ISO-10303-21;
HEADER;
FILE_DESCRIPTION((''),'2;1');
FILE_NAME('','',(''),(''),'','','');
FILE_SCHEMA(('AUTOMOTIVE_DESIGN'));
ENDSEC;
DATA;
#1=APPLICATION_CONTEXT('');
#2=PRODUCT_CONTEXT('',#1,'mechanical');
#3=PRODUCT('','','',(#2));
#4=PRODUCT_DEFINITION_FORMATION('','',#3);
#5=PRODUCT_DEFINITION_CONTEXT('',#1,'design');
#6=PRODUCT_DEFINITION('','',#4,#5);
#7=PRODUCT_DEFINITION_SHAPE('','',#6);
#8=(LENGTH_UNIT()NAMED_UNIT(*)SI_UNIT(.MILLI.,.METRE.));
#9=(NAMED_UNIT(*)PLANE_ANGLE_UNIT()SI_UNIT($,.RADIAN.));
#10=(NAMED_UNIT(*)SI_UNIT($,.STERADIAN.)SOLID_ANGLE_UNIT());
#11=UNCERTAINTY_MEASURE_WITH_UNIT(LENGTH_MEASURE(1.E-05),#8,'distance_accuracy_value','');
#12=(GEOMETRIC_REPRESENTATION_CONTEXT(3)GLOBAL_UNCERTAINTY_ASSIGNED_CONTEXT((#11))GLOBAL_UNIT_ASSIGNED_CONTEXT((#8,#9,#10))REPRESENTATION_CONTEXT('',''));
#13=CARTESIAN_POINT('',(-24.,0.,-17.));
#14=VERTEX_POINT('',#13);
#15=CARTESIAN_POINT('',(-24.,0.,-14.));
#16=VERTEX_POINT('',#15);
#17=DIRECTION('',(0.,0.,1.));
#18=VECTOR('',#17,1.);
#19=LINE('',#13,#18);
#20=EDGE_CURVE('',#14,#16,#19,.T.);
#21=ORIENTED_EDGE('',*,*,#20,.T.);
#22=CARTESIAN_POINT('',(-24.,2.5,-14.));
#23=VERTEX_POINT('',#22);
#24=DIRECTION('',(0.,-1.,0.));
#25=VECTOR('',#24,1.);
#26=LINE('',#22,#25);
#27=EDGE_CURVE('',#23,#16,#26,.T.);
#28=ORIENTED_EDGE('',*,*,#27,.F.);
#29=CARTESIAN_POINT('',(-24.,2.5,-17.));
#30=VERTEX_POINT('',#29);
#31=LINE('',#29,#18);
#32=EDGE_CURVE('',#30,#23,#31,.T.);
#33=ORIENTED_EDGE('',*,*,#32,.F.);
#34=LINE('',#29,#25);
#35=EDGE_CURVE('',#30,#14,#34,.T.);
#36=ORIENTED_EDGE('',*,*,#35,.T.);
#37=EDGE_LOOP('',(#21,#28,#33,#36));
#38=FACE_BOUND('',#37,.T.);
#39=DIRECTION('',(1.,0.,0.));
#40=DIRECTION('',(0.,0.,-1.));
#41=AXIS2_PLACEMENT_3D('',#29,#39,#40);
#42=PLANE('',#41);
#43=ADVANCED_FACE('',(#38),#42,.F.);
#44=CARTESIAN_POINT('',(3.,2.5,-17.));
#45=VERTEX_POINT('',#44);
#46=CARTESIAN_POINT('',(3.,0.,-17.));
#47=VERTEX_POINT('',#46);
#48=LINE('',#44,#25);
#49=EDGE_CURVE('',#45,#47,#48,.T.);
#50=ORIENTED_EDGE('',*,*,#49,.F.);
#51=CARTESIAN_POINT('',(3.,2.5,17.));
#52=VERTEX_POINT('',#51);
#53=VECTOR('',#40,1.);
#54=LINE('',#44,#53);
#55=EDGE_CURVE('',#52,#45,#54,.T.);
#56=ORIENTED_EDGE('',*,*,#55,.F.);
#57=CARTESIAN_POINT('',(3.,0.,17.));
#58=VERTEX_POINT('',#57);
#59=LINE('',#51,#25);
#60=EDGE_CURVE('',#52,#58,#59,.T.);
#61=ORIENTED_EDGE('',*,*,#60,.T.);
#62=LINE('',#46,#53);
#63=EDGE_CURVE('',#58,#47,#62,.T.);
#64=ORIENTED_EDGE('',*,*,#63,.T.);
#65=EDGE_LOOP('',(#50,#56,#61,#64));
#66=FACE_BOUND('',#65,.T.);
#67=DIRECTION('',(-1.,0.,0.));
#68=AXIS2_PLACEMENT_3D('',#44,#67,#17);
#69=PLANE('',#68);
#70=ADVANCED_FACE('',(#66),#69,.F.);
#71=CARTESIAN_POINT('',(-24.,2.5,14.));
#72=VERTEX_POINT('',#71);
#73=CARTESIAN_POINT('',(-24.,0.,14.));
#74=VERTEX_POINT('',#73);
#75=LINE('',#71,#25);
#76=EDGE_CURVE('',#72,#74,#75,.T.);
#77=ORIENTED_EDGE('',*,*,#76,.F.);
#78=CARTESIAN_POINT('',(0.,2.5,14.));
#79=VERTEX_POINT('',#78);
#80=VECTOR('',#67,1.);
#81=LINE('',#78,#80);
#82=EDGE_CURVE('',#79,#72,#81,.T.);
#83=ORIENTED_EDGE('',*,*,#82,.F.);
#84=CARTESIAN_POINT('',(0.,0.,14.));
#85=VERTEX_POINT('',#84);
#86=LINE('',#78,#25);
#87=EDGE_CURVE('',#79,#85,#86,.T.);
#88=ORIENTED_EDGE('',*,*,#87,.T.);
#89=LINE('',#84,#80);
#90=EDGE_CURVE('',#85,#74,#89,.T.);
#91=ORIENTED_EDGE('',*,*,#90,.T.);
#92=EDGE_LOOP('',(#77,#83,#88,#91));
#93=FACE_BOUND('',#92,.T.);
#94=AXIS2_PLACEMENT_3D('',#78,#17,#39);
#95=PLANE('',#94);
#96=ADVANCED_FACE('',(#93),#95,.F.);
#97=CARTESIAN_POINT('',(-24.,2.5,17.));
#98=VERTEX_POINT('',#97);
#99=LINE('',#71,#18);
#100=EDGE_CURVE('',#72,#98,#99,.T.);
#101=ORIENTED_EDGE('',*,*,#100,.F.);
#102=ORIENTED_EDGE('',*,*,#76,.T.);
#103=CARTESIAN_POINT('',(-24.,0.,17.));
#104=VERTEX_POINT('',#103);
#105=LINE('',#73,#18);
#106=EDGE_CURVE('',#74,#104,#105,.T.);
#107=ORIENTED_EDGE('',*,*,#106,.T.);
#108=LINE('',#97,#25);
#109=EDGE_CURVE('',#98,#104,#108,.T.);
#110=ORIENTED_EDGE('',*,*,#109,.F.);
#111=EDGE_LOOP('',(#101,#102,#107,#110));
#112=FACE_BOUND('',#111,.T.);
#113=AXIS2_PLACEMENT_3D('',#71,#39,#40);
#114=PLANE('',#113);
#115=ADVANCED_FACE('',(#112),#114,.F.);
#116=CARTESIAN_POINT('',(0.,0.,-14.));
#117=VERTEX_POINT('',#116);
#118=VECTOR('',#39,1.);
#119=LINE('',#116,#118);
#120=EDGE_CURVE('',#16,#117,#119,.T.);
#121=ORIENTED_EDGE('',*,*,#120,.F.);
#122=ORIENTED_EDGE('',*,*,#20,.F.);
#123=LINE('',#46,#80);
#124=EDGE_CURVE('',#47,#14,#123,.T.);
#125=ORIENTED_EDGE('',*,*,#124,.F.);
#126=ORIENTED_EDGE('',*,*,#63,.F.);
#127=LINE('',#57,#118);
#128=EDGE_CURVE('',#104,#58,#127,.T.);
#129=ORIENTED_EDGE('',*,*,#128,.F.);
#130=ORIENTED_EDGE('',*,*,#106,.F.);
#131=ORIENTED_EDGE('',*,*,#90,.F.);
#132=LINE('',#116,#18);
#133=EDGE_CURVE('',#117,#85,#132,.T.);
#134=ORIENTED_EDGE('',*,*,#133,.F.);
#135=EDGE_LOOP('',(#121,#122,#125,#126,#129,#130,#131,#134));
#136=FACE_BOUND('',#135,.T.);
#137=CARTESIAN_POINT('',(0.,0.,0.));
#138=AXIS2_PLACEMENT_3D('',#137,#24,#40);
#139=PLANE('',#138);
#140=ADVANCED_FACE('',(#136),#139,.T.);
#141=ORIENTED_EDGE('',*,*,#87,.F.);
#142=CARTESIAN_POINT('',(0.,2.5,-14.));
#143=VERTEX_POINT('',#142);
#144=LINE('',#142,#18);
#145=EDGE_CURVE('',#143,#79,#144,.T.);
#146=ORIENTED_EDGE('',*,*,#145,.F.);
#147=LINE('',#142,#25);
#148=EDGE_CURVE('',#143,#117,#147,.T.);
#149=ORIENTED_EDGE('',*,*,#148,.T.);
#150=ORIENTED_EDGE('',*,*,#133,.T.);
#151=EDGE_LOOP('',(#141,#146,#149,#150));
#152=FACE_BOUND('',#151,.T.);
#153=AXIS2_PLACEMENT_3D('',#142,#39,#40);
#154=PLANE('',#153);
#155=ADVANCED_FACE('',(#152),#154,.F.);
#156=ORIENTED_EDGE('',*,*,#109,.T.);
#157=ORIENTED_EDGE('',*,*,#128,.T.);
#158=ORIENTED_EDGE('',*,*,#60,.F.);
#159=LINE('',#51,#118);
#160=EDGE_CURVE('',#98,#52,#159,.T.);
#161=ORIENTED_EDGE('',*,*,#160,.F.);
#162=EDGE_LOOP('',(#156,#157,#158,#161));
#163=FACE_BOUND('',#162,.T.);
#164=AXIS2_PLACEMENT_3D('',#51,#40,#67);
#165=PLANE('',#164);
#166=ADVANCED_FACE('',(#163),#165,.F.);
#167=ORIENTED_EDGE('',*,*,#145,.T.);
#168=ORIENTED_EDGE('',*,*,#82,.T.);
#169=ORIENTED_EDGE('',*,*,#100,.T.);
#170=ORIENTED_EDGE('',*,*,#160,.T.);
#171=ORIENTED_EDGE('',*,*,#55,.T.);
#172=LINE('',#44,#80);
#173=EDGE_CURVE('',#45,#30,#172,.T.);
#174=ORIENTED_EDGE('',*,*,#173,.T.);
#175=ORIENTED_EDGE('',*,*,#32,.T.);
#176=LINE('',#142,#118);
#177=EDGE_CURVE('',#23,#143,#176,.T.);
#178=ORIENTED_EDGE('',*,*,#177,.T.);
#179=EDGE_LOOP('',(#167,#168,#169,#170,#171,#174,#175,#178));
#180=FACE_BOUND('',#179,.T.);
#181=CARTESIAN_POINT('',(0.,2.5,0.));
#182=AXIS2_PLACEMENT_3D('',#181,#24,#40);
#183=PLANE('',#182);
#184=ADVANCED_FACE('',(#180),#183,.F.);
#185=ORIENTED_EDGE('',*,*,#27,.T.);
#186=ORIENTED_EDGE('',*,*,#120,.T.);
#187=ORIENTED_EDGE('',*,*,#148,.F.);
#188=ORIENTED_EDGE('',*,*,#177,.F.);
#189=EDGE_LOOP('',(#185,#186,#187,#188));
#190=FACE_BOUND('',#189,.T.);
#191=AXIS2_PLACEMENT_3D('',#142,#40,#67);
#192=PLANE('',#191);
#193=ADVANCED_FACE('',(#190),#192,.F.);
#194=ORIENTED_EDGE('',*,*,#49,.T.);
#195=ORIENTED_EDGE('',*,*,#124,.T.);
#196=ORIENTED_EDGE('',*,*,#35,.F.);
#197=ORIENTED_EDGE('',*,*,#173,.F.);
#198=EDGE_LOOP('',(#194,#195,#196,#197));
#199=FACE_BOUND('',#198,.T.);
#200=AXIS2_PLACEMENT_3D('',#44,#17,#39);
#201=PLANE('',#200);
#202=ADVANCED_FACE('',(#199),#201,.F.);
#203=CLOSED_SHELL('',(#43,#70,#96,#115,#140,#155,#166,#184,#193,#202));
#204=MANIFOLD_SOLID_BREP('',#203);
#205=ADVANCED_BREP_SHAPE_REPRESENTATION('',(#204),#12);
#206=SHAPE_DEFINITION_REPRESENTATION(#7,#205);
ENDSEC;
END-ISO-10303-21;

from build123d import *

# Parameters (mm, degrees)
BOSS_EXTRUDE1_DEPTH = 2.5


with BuildPart() as part:
    # Sketch1 → Boss-Extrude1 (new body)
    with BuildSketch(Plane(origin=(0, 0, 0), x_dir=(1, 0, 0), z_dir=(0, 1, 0))):
        Polygon((0, 14), (0, -14), (-24, -14), (-24, -17), (3, -17), (3, 17), (-24, 17), (-24, 14), align=None)
    extrude(amount=BOSS_EXTRUDE1_DEPTH)


solid = part.part
